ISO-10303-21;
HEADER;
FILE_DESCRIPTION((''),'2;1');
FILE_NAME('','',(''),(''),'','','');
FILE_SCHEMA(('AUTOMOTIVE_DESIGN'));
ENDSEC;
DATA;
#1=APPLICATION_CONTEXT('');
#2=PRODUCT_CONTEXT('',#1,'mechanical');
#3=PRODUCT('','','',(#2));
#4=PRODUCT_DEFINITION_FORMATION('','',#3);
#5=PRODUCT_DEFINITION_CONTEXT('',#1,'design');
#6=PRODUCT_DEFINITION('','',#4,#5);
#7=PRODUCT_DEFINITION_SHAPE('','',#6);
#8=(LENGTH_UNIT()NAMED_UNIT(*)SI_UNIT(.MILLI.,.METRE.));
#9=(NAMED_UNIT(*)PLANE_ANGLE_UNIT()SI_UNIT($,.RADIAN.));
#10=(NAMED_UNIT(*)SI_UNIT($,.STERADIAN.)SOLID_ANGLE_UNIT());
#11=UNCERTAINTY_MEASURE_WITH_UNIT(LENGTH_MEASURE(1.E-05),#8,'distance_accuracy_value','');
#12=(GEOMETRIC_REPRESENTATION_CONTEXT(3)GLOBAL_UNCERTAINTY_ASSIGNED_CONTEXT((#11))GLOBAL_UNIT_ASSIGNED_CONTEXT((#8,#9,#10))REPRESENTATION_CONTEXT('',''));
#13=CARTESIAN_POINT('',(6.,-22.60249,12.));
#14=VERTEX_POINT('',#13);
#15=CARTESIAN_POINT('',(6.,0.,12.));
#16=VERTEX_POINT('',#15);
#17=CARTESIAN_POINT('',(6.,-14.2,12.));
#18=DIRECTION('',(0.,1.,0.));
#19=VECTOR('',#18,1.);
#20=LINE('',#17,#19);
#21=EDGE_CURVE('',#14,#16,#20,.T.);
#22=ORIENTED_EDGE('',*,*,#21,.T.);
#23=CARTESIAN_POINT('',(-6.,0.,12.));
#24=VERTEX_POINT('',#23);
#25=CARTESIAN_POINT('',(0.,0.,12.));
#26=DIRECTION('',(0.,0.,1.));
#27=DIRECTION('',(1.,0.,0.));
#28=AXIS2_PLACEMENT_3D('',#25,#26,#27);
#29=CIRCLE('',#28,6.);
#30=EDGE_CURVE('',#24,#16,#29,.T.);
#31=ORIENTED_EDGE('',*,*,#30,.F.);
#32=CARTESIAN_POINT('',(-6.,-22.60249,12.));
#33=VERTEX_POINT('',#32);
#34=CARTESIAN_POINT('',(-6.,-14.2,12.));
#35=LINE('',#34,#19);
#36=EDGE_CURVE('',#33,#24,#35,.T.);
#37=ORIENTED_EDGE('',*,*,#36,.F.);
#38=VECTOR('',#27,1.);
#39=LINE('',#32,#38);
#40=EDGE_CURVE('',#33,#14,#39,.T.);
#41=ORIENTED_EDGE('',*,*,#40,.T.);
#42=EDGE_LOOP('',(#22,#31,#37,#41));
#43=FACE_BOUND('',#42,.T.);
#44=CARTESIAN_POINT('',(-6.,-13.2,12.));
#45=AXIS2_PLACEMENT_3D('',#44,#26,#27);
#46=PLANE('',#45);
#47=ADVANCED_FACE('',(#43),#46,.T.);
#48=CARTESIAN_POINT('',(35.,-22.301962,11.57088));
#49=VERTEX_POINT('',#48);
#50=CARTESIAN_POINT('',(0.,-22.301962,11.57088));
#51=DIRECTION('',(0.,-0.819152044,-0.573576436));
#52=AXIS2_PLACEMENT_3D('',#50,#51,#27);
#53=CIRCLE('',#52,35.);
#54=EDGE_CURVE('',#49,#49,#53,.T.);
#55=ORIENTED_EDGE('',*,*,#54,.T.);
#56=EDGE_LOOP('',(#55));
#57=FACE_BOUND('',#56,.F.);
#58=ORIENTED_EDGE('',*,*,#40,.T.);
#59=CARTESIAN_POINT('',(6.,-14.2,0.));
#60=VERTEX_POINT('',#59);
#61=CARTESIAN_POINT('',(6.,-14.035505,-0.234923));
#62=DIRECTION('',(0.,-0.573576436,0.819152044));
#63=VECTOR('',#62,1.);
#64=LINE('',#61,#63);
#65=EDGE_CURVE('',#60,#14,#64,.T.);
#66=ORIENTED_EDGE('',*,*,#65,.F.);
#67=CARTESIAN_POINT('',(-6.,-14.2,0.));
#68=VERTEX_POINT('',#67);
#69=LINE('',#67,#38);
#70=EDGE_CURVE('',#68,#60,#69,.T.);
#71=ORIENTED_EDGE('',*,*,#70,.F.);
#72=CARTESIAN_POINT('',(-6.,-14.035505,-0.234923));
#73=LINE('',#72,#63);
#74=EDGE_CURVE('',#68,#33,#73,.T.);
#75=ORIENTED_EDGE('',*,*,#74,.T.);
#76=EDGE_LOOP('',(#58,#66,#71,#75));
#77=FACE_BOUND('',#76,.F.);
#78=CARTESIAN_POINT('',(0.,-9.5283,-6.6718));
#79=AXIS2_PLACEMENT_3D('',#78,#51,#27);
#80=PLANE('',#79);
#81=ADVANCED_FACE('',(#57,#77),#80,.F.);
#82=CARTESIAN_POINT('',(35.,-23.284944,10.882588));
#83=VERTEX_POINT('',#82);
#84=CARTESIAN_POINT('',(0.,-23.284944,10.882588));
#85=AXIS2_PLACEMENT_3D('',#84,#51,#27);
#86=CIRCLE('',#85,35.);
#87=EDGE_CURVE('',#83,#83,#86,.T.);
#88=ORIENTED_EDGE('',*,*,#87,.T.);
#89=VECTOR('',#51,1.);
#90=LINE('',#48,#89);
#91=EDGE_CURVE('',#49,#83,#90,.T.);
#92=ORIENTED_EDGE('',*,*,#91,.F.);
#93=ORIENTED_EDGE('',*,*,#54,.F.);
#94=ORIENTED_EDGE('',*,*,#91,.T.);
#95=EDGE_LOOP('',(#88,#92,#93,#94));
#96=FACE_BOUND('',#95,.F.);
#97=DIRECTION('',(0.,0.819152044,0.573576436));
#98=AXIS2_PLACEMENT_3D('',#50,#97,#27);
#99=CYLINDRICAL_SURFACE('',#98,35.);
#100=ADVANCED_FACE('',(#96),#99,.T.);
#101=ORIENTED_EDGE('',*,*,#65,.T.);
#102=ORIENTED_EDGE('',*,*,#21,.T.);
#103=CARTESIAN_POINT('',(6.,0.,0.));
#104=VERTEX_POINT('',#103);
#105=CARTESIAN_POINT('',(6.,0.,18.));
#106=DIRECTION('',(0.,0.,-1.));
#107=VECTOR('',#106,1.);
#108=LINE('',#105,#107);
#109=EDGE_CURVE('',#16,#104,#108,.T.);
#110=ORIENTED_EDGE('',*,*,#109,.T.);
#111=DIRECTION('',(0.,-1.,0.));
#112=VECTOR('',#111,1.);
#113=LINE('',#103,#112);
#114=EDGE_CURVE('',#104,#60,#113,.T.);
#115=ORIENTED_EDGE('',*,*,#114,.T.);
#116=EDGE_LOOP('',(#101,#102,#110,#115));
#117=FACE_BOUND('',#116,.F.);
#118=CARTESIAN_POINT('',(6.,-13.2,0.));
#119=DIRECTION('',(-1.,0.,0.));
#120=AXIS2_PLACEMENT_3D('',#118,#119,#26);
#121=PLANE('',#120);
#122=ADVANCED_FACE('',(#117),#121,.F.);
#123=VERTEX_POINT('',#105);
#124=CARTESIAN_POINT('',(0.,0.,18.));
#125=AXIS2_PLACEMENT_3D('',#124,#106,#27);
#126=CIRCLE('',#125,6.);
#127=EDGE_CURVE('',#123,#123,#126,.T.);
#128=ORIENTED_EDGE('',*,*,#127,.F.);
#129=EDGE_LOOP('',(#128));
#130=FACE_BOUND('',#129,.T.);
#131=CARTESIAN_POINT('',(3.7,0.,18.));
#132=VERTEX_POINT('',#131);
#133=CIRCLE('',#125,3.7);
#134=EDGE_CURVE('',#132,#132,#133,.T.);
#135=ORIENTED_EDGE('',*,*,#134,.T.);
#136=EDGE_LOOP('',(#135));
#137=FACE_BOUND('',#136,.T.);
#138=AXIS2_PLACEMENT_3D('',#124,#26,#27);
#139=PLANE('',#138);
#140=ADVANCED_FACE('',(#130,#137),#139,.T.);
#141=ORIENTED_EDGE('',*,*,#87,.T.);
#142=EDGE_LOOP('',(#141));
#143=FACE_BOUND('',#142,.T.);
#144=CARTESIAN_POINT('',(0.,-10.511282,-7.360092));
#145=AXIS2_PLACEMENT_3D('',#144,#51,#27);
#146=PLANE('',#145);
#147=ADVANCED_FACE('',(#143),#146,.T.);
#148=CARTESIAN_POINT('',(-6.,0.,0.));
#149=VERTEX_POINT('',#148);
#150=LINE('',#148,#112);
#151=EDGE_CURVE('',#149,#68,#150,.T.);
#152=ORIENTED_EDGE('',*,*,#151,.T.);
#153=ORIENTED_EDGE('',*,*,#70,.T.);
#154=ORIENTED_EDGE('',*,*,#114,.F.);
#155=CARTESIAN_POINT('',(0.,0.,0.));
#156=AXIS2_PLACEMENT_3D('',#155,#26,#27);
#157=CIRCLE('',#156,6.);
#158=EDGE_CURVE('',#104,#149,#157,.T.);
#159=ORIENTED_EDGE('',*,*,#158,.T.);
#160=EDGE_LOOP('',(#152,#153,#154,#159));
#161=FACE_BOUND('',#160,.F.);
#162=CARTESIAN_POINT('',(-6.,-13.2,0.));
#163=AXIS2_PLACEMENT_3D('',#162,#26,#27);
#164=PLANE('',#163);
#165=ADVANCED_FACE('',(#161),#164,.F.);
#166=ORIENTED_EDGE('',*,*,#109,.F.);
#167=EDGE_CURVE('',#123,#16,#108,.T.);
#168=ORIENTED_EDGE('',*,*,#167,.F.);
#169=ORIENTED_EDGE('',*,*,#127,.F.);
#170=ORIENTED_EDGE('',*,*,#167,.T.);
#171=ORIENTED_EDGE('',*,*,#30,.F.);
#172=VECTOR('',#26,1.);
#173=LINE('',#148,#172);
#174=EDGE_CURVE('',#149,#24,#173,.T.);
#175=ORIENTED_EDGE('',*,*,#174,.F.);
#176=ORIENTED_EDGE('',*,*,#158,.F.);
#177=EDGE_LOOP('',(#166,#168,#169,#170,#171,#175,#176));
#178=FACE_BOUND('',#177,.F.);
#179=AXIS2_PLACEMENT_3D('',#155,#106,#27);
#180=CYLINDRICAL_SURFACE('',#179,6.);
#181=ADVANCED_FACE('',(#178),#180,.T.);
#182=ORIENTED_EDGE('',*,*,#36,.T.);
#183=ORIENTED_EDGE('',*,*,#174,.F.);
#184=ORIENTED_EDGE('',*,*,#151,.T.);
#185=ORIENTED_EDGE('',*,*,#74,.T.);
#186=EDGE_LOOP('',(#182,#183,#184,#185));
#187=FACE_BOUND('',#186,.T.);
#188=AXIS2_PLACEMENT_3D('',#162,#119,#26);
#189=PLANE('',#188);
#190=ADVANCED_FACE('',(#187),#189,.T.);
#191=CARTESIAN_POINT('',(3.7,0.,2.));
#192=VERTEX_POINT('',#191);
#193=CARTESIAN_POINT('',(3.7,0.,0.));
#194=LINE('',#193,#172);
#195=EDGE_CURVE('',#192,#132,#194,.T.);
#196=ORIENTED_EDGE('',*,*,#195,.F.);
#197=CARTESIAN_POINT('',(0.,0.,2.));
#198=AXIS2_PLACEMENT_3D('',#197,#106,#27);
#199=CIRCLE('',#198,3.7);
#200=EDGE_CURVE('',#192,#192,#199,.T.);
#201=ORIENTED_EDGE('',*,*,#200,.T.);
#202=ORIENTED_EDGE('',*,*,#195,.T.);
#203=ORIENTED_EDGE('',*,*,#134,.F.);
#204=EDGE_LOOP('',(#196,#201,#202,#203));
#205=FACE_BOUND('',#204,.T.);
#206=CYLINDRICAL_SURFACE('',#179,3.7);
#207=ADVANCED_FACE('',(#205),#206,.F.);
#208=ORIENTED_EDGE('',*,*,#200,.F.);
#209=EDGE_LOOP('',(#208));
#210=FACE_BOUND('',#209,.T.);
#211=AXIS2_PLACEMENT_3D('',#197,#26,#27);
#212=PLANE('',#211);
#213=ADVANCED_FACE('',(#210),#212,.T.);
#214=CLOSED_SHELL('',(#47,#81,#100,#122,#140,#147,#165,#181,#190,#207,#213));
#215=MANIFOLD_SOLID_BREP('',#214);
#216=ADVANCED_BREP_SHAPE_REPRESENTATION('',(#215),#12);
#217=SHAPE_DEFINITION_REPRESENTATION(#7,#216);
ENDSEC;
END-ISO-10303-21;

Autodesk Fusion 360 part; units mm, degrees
sketch "Sketch1" plane through (0, 0, 0) normal (0, 0, 1) x (1, 0, 0)
  circle A0 centre (0, 0) radius 3.7
  circle A1 centre (0, 0) radius 6
  line L0 (-25, -13.2) -> (25, -13.2)
  line L1 (25, -13.2) -> (25, -17.2)
  line L2 (25, -17.2) -> (-25, -17.2)
  line L3 (-25, -17.2) -> (-25, -13.2)
  line L4 (-6, 0) -> (6, 0)
  line L5 (6, 0) -> (6, -13.2)
  line L6 (6, -13.2) -> (-6, -13.2)
  line L7 (-6, -13.2) -> (-6, 0)
  point P0 (0, -13.2)
  dimension "d1" = 7.4
  dimension "d2" = 12
  dimension "d7" = 50
  dimension "d8" = 13.2
  dimension "d30" = 4
extrude "Extrude1" add sketch "Sketch1" along normal blind 2 contours A0 L4 | A0 A1 L4 | A0 A1 L4 | A0 L4
extrude "Extrude2" add sketch "Sketch1" along normal blind 18 contours A0 A1 L4 | A0 A1 L4
extrude "Extrude3" add sketch "Sketch1" along normal blind 12 contours A1 L0 L5 L6 L7
extrude "Extrude9" add 1 faces at (2, -13.2, 8) along direction (0, -1, 0) blind 1
draft "Draft1" angle 35 neutral plane through (-6, -13.2, 0) pull (0, 0, -1) 1 faces at (2, -14.2, 8)
sketch "Sketch5" plane through (0, -9.5283, -6.6718) normal (0, -0.819152, -0.573576) x (1, 0, 0)
  line L0 (-6, 8.1448) -> (6, 8.1448)
  line L1 (6, 8.1448) -> (6, 22.7941)
  line L2 (6, 22.7941) -> (-6, 22.7941)
  line L3 (-6, 22.7941) -> (-6, 8.1448)
  circle A0 centre (0, 22.2702) radius 35
  dimension "d44" = 70
extrude "Extrude10" add sketch "Sketch5" along normal blind 1.2 contours L0 L1 L2 L3 | A0
